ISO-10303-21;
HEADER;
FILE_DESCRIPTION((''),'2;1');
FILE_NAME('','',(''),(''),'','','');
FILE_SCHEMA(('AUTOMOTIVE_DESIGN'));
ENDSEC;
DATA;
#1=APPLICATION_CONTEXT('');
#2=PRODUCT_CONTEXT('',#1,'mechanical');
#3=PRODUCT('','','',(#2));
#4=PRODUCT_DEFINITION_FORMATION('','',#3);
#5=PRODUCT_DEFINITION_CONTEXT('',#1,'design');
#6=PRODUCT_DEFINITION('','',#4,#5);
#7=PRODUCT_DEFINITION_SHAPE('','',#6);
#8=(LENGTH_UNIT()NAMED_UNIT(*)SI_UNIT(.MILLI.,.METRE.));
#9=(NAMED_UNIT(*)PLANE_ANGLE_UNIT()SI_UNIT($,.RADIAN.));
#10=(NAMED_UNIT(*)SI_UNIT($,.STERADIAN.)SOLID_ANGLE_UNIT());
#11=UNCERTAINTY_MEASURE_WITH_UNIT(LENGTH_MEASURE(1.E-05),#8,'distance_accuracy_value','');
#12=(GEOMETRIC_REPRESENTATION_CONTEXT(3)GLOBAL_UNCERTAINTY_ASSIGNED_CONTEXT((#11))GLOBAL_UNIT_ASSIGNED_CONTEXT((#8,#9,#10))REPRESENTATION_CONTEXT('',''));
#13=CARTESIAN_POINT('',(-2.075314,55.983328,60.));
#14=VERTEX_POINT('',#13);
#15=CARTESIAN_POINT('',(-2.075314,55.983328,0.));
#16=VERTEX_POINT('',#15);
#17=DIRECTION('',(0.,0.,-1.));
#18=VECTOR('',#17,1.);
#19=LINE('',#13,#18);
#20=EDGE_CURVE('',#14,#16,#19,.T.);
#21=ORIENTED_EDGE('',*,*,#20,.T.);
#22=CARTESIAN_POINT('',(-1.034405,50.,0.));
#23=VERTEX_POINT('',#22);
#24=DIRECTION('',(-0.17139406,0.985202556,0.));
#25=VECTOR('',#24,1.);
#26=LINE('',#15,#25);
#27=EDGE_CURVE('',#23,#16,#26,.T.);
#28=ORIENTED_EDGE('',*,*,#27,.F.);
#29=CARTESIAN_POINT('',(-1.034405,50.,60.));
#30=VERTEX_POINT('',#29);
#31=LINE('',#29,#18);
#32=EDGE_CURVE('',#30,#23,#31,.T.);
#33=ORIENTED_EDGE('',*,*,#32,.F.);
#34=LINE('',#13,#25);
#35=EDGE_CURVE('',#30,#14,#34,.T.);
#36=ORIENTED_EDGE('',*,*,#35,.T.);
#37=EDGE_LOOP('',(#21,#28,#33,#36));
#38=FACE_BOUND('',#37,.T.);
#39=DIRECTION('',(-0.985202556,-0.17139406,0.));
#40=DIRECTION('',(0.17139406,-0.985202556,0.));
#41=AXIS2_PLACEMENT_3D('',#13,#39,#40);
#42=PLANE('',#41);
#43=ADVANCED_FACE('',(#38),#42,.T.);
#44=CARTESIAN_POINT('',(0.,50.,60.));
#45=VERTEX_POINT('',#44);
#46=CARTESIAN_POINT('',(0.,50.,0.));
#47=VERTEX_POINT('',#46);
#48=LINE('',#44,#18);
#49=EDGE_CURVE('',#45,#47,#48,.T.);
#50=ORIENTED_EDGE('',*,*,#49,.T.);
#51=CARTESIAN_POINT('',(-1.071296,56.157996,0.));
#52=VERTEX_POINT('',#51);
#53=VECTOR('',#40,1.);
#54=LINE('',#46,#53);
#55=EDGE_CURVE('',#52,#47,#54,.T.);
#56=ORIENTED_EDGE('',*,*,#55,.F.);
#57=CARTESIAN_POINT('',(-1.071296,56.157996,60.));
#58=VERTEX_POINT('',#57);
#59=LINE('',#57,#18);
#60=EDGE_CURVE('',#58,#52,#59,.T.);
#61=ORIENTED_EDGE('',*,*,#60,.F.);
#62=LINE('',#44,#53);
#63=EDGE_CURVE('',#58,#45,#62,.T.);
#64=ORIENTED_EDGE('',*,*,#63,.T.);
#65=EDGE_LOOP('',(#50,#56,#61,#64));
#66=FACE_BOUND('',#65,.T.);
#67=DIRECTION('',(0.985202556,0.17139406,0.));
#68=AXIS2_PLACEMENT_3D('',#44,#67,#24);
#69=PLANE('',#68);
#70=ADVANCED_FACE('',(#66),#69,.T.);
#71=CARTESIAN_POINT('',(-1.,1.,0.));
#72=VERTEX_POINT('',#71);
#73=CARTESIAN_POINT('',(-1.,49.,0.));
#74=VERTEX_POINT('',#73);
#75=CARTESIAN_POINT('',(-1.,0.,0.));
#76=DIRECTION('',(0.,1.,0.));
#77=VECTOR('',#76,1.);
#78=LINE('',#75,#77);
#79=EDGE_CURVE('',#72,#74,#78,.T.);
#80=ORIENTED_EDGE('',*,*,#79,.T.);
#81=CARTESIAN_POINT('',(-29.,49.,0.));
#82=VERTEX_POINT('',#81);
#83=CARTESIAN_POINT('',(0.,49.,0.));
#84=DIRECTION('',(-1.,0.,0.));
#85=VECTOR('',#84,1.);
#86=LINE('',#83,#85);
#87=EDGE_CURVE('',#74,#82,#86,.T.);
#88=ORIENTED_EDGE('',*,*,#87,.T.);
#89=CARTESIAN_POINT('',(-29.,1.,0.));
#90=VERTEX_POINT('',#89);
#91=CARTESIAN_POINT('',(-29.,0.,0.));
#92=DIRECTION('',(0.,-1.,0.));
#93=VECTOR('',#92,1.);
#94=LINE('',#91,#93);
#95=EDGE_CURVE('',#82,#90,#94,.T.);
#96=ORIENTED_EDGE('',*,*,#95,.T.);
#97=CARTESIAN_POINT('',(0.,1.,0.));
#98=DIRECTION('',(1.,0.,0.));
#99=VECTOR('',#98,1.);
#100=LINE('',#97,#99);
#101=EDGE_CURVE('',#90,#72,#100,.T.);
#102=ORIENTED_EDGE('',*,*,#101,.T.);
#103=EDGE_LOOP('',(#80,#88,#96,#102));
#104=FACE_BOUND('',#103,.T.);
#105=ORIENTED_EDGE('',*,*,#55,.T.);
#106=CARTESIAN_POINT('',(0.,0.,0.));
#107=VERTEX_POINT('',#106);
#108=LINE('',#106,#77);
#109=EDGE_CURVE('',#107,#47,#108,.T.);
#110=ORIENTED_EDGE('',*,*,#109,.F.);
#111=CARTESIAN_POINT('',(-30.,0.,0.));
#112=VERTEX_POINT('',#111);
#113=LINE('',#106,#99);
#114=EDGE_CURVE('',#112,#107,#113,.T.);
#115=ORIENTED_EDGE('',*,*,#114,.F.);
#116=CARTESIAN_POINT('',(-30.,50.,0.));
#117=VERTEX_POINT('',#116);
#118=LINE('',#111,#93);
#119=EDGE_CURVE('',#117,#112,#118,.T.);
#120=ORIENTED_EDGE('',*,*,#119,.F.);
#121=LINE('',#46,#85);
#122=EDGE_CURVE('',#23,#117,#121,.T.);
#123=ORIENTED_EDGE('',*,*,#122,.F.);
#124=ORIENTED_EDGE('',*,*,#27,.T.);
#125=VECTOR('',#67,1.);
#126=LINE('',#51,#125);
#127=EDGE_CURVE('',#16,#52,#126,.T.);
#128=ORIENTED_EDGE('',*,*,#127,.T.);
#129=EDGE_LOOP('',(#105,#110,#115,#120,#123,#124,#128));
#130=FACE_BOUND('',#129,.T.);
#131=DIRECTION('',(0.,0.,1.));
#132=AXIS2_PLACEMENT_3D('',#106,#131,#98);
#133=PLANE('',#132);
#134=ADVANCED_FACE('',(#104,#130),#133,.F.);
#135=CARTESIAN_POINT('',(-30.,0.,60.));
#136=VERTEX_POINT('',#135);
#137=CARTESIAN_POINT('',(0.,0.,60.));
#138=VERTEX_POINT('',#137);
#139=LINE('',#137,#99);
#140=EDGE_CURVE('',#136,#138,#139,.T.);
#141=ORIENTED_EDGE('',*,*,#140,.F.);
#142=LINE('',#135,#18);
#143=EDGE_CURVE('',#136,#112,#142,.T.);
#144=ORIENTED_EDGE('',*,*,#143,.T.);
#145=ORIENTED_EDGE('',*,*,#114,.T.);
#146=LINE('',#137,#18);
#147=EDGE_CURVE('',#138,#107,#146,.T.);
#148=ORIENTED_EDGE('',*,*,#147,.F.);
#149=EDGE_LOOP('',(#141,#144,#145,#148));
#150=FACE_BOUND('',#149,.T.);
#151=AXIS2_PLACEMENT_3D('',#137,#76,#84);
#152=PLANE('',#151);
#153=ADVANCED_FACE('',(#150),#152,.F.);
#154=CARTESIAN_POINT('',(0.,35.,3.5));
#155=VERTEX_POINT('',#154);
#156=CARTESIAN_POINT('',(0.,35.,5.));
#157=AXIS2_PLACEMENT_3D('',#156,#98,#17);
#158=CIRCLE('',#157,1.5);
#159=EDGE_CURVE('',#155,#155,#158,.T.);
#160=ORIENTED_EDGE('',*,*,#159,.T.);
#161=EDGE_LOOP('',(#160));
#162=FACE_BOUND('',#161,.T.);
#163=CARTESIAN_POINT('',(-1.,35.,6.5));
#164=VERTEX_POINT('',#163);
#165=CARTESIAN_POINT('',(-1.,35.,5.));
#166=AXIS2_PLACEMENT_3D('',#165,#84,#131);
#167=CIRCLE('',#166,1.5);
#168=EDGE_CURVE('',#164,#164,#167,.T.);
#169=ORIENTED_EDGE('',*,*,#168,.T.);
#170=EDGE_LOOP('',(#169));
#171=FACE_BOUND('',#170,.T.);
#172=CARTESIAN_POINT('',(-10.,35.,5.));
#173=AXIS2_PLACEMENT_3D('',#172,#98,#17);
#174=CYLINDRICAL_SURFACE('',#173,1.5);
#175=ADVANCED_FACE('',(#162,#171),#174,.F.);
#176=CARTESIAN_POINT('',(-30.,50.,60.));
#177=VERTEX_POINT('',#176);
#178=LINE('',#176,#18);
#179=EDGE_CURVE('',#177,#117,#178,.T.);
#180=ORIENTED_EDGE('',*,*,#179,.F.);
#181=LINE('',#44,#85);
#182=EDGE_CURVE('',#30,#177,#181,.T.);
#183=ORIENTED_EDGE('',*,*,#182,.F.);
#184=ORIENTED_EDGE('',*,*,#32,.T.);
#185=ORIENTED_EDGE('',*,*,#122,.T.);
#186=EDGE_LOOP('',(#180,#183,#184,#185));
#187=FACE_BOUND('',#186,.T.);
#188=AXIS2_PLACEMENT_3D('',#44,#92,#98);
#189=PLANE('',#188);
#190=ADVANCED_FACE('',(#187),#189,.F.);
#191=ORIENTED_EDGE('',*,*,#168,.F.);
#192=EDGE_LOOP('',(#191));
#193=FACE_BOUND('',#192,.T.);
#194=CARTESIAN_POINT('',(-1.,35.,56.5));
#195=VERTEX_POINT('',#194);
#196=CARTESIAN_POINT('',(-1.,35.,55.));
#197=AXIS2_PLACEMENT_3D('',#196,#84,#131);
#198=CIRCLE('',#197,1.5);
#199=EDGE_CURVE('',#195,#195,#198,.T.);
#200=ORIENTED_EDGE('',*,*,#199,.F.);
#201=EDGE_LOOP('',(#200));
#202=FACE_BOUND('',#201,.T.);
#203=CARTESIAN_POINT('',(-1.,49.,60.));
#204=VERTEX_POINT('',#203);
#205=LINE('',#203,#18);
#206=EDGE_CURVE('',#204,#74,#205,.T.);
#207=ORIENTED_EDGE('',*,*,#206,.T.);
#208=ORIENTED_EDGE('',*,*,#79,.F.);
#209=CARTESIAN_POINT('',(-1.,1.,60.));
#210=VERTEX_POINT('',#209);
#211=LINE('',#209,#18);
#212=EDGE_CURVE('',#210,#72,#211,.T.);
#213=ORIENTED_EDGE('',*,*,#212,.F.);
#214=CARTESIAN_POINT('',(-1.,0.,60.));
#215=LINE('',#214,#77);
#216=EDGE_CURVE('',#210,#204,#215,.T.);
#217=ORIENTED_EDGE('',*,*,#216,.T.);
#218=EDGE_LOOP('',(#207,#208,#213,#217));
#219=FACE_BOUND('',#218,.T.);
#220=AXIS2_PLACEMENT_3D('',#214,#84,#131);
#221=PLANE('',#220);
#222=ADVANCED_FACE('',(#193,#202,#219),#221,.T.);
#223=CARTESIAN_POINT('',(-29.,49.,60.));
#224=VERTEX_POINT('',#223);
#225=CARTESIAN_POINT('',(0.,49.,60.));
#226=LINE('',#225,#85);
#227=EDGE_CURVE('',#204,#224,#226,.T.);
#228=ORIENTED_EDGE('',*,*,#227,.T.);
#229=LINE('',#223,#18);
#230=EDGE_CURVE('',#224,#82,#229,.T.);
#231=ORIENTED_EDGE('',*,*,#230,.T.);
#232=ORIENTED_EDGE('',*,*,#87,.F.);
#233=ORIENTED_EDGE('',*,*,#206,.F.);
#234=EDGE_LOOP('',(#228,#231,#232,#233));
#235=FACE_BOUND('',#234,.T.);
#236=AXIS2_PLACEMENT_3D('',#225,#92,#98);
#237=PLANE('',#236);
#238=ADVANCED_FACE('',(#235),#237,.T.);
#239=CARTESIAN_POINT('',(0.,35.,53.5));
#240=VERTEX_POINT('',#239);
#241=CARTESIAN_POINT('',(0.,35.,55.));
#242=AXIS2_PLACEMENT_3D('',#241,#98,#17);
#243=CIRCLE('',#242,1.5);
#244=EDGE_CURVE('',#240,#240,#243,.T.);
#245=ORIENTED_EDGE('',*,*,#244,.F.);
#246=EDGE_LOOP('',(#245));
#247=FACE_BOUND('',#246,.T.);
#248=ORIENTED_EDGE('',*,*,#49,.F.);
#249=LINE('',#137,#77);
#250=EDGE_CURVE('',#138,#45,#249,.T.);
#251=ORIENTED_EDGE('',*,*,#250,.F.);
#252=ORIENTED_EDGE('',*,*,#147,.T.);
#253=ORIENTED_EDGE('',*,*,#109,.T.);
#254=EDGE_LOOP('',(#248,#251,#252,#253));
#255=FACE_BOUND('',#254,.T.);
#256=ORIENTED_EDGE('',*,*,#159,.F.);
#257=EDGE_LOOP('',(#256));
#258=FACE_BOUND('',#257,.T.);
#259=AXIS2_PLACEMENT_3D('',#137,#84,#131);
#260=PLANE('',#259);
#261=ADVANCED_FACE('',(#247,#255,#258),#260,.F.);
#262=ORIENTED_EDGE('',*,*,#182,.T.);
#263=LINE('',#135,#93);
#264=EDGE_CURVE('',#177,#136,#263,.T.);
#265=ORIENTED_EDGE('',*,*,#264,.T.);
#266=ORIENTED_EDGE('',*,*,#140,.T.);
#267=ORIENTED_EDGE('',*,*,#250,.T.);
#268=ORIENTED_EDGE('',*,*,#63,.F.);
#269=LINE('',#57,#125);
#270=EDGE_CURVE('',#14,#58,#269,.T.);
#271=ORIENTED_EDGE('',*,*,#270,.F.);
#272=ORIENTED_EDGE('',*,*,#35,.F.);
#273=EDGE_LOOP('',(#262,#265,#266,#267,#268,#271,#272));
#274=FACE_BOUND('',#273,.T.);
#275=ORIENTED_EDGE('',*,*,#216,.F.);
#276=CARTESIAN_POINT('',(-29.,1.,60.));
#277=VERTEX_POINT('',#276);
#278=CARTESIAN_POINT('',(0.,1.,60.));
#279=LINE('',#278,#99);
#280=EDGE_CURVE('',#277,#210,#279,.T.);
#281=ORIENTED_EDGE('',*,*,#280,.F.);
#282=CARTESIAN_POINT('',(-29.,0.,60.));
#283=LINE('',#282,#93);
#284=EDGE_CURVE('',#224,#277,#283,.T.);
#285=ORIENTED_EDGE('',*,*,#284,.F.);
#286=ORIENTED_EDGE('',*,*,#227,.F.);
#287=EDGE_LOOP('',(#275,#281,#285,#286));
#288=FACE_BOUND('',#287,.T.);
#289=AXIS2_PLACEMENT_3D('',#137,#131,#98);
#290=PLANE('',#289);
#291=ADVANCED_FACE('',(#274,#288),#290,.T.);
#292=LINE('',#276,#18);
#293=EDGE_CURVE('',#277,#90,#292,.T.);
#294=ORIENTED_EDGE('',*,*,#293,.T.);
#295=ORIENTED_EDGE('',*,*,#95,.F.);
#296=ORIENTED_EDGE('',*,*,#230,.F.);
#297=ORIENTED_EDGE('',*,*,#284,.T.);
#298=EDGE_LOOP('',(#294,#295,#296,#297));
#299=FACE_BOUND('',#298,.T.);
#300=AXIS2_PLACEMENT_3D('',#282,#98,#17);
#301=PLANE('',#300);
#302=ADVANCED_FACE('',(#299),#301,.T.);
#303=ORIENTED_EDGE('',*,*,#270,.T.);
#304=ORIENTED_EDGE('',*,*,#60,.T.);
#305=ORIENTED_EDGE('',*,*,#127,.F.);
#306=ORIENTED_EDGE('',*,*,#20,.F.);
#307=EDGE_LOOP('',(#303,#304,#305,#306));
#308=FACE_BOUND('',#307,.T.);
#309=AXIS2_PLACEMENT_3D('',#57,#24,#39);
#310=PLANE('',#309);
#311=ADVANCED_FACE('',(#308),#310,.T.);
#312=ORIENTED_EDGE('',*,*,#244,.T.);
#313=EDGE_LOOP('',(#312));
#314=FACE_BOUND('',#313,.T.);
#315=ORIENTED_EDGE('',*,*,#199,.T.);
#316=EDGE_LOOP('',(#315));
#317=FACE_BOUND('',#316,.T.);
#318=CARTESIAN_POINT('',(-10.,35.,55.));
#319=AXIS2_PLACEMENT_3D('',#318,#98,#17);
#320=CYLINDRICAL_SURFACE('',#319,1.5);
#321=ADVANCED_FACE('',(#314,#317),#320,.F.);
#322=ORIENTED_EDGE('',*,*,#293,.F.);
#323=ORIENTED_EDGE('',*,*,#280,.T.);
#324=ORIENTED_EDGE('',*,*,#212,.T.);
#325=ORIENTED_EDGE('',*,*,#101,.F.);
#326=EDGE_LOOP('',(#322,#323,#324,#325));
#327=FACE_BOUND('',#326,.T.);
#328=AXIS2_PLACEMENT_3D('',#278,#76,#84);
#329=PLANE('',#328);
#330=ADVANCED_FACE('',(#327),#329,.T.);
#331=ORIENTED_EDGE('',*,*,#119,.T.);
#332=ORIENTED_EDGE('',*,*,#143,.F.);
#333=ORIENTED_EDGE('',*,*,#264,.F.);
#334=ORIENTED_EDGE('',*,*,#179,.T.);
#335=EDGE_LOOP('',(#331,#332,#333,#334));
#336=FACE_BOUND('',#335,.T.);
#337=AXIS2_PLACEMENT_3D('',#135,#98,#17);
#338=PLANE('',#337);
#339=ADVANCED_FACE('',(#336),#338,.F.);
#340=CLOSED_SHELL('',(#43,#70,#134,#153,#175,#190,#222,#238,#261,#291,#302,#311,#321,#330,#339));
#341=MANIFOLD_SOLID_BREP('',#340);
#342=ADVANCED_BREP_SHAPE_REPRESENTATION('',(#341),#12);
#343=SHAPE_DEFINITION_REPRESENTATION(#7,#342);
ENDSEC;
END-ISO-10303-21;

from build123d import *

# Parameters (mm, degrees)
ESBO_O1_W                = 30
ESBO_O1_H                = 50
ESBO_O1_W_2              = 28
ESBO_O1_H_2              = 48
EXTRUS_O_FINA1_DEPTH     = 60
RESSALTO_EXTRUS_O1_DEPTH = 60
ESBO_O3_R                = 1.5
CORTE_EXTRUS_O1_DEPTH    = 10


with BuildPart() as part:
    # Esboço1 → Extrusão-Fina1 (new body)
    with BuildSketch(Plane.XY):
        with Locations((-15, 25)):
            Rectangle(ESBO_O1_W, ESBO_O1_H)
        with Locations((-15, 25)):
            Rectangle(ESBO_O1_W_2, ESBO_O1_H_2, mode=Mode.SUBTRACT)
    extrude(amount=EXTRUS_O_FINA1_DEPTH)

    # Esboço2 → Ressalto-extrusão1 (add, through all)
    with BuildSketch(Plane(origin=(0, 0, 0), x_dir=(-1, 0, 0), z_dir=(0, 0, -1))):
        Polygon((0, 50), (1.071296322, 56.157995634), (2.075314272, 55.983328291), (1.034404539, 50), align=None)
    extrude(amount=-RESSALTO_EXTRUS_O1_DEPTH)

    # Esboço3 → Corte-extrusão1 (cut)
    with BuildSketch(Plane(origin=(0, 0, 0), x_dir=(0, 0, -1), z_dir=(1, 0, 0))):
        with Locations((-55, 35)):
            Circle(ESBO_O3_R)
        with Locations((-5, 35)):
            Circle(ESBO_O3_R)
    extrude(amount=-CORTE_EXTRUS_O1_DEPTH, mode=Mode.SUBTRACT)


solid = part.part
